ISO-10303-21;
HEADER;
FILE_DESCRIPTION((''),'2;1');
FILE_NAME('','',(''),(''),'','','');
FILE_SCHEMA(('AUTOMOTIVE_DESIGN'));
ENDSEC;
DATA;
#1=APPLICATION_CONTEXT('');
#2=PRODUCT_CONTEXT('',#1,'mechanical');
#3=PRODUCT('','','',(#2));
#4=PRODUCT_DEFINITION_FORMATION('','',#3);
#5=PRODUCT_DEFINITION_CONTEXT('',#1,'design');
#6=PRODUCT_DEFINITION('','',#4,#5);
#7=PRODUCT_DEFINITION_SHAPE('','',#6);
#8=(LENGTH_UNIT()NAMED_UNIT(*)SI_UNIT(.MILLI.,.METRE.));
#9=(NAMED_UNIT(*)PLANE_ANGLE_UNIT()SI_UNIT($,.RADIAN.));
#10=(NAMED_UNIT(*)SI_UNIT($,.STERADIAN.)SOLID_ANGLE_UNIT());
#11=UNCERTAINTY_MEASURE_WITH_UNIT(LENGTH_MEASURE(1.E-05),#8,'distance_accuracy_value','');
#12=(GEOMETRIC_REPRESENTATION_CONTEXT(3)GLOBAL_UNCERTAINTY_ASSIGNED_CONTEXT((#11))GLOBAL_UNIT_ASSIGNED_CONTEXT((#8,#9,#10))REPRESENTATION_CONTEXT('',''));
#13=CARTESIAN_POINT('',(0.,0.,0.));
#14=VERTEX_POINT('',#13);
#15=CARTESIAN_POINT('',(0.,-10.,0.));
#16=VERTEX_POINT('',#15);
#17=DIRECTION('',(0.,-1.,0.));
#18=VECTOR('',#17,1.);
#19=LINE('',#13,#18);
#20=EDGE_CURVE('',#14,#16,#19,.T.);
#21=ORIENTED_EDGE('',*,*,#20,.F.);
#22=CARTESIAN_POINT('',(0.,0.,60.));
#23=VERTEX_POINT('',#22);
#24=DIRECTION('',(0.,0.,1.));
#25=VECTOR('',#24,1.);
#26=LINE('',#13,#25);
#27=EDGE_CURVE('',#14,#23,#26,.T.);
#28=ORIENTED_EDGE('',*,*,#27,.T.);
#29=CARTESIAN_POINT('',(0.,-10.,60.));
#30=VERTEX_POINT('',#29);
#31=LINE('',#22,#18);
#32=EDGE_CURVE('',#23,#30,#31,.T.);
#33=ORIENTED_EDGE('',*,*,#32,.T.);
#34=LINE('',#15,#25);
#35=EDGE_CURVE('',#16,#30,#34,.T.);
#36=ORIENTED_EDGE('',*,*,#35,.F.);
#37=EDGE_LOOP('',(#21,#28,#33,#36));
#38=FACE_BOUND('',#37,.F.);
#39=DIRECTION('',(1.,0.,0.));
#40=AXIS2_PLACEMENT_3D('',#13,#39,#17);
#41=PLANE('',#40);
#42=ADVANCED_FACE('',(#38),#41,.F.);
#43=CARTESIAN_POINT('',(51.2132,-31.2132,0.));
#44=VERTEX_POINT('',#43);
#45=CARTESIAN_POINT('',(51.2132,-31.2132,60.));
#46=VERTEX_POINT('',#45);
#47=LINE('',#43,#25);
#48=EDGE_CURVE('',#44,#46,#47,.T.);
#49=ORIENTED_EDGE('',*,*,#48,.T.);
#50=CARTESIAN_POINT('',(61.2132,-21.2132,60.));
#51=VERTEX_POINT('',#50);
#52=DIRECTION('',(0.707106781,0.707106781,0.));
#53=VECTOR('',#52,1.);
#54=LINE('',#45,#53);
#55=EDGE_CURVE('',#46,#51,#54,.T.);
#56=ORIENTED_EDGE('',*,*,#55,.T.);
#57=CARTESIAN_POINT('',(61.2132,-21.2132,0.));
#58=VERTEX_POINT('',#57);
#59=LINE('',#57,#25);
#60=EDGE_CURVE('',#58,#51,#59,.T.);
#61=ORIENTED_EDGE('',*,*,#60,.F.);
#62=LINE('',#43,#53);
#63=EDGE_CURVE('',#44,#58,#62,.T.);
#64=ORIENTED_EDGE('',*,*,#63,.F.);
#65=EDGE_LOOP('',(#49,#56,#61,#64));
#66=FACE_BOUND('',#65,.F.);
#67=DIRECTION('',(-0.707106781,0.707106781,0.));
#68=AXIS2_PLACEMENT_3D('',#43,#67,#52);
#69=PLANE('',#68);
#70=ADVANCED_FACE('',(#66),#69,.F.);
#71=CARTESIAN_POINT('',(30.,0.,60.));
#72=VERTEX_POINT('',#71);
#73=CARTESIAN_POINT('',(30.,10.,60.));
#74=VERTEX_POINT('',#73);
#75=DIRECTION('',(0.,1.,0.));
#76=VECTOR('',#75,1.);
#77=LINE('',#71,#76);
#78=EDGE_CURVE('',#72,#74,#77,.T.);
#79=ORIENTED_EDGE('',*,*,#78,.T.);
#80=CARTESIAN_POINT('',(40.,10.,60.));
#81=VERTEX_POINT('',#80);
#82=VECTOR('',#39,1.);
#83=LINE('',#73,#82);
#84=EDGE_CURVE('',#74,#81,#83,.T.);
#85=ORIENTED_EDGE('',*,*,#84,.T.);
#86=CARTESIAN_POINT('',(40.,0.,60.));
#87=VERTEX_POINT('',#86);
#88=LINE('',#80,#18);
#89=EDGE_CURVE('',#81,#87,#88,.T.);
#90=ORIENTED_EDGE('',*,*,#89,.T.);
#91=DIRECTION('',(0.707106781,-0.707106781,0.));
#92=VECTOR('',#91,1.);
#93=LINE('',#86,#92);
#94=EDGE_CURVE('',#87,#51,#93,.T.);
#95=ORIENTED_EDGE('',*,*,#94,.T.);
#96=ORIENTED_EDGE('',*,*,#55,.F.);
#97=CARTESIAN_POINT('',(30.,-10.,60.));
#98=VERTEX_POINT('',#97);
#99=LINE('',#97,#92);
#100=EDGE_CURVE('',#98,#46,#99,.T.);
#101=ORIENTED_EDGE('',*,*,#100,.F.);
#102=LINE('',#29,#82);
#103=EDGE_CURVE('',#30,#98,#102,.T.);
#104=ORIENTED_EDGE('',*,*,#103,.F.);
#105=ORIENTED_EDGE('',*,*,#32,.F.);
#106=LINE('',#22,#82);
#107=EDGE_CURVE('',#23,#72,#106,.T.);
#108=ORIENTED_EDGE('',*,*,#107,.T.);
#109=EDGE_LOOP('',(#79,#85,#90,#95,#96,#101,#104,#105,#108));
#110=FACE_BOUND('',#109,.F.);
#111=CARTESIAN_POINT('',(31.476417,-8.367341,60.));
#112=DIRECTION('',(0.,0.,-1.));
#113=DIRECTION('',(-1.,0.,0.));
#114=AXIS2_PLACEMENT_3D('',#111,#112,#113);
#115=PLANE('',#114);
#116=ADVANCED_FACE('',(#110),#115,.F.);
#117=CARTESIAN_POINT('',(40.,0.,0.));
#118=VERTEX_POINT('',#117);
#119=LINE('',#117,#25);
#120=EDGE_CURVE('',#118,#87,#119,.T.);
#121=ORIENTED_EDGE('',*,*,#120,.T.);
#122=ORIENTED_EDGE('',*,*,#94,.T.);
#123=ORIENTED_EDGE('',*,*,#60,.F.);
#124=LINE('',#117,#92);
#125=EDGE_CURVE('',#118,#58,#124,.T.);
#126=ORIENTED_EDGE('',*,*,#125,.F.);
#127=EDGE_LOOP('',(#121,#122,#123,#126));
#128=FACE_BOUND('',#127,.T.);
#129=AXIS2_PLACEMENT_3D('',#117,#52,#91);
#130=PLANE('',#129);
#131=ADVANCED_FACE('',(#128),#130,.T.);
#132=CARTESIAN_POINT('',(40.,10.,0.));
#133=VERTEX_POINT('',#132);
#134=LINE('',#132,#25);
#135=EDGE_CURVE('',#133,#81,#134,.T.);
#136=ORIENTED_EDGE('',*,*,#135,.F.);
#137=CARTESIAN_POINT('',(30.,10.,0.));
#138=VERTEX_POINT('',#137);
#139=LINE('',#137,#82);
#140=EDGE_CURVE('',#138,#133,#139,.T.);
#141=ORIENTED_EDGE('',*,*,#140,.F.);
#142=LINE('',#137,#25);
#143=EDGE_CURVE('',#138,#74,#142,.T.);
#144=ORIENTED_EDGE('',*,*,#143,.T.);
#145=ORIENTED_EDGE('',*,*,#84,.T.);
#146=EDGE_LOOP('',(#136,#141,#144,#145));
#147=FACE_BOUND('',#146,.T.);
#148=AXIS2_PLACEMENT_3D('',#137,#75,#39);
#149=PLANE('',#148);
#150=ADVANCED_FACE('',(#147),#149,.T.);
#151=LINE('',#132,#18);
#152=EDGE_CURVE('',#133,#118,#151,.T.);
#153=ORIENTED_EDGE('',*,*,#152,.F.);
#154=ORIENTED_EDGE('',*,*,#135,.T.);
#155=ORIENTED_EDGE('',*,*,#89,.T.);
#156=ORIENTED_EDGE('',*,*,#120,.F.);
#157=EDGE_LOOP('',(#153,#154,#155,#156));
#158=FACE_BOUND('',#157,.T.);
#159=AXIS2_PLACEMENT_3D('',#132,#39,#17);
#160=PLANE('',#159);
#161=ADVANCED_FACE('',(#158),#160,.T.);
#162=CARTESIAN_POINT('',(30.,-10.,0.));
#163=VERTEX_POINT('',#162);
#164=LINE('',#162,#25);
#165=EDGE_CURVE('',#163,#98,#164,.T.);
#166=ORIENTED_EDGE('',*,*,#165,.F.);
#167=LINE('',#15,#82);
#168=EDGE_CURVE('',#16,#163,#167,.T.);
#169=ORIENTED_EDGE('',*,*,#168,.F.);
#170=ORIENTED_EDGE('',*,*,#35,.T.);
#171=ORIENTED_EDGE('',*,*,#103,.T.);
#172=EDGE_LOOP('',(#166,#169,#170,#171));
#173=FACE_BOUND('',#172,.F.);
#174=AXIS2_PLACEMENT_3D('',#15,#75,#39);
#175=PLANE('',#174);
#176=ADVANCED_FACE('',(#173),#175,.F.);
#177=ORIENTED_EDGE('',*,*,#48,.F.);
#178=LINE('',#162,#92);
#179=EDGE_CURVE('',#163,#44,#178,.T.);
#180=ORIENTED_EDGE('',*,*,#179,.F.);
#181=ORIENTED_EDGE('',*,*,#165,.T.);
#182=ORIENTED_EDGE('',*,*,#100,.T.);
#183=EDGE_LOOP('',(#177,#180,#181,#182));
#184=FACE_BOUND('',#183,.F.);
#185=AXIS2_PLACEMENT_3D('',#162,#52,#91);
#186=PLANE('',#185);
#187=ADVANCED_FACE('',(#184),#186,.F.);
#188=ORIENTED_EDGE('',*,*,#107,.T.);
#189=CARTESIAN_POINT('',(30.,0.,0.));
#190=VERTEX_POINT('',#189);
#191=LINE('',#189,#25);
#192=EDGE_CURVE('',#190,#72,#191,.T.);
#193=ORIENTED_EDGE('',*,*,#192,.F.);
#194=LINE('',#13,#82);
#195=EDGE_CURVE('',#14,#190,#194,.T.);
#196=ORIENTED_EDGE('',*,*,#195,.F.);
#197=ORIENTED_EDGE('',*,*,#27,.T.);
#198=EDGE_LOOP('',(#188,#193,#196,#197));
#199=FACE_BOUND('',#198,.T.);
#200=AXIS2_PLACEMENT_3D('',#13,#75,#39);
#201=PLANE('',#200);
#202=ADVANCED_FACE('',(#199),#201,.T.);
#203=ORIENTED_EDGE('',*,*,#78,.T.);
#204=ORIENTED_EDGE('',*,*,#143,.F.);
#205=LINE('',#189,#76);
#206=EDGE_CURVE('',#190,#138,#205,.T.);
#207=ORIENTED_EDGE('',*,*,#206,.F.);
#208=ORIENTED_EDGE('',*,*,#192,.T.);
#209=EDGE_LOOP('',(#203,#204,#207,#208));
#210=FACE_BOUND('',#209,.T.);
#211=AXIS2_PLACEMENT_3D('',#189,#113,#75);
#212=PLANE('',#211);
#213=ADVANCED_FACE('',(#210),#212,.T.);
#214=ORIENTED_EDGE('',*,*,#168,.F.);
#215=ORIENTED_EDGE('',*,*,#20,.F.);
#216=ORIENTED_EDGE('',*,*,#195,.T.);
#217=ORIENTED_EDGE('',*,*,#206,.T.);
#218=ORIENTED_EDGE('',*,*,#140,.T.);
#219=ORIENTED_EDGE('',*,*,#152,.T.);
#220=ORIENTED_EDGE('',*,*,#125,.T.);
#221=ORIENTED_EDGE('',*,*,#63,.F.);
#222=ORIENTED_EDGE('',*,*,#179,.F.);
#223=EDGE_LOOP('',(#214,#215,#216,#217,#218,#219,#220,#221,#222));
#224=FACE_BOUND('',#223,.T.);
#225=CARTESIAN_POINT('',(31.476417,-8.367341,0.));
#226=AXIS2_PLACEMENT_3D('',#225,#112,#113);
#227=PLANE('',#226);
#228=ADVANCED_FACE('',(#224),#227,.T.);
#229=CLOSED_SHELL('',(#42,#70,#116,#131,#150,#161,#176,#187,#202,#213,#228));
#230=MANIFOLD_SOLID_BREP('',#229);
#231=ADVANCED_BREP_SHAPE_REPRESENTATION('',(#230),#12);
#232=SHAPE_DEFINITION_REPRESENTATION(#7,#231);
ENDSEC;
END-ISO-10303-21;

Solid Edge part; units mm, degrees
sketch "Sketch1" plane through (0, 0, 0) normal (0, 0, 1) x (1, 0, 0)
  line L0 (0, 0) -> (30, 0)
  line L1 (30, 0) -> (30, 10)
  line L2 (30, 10) -> (40, 10)
  line L3 (40, 10) -> (40, 0)
  line L4 (40, 0) -> (61.2132, -21.2132)
  line L5 (51.2132, -31.2132) -> (61.2132, -21.2132)
  line L6 (30, -10) -> (51.2132, -31.2132)
  line L7 (0, -10) -> (30, -10)
  line L8 (0, 0) -> (0, -10)
extrude "Protrusion1" add sketch "Sketch1" along normal blind 60
